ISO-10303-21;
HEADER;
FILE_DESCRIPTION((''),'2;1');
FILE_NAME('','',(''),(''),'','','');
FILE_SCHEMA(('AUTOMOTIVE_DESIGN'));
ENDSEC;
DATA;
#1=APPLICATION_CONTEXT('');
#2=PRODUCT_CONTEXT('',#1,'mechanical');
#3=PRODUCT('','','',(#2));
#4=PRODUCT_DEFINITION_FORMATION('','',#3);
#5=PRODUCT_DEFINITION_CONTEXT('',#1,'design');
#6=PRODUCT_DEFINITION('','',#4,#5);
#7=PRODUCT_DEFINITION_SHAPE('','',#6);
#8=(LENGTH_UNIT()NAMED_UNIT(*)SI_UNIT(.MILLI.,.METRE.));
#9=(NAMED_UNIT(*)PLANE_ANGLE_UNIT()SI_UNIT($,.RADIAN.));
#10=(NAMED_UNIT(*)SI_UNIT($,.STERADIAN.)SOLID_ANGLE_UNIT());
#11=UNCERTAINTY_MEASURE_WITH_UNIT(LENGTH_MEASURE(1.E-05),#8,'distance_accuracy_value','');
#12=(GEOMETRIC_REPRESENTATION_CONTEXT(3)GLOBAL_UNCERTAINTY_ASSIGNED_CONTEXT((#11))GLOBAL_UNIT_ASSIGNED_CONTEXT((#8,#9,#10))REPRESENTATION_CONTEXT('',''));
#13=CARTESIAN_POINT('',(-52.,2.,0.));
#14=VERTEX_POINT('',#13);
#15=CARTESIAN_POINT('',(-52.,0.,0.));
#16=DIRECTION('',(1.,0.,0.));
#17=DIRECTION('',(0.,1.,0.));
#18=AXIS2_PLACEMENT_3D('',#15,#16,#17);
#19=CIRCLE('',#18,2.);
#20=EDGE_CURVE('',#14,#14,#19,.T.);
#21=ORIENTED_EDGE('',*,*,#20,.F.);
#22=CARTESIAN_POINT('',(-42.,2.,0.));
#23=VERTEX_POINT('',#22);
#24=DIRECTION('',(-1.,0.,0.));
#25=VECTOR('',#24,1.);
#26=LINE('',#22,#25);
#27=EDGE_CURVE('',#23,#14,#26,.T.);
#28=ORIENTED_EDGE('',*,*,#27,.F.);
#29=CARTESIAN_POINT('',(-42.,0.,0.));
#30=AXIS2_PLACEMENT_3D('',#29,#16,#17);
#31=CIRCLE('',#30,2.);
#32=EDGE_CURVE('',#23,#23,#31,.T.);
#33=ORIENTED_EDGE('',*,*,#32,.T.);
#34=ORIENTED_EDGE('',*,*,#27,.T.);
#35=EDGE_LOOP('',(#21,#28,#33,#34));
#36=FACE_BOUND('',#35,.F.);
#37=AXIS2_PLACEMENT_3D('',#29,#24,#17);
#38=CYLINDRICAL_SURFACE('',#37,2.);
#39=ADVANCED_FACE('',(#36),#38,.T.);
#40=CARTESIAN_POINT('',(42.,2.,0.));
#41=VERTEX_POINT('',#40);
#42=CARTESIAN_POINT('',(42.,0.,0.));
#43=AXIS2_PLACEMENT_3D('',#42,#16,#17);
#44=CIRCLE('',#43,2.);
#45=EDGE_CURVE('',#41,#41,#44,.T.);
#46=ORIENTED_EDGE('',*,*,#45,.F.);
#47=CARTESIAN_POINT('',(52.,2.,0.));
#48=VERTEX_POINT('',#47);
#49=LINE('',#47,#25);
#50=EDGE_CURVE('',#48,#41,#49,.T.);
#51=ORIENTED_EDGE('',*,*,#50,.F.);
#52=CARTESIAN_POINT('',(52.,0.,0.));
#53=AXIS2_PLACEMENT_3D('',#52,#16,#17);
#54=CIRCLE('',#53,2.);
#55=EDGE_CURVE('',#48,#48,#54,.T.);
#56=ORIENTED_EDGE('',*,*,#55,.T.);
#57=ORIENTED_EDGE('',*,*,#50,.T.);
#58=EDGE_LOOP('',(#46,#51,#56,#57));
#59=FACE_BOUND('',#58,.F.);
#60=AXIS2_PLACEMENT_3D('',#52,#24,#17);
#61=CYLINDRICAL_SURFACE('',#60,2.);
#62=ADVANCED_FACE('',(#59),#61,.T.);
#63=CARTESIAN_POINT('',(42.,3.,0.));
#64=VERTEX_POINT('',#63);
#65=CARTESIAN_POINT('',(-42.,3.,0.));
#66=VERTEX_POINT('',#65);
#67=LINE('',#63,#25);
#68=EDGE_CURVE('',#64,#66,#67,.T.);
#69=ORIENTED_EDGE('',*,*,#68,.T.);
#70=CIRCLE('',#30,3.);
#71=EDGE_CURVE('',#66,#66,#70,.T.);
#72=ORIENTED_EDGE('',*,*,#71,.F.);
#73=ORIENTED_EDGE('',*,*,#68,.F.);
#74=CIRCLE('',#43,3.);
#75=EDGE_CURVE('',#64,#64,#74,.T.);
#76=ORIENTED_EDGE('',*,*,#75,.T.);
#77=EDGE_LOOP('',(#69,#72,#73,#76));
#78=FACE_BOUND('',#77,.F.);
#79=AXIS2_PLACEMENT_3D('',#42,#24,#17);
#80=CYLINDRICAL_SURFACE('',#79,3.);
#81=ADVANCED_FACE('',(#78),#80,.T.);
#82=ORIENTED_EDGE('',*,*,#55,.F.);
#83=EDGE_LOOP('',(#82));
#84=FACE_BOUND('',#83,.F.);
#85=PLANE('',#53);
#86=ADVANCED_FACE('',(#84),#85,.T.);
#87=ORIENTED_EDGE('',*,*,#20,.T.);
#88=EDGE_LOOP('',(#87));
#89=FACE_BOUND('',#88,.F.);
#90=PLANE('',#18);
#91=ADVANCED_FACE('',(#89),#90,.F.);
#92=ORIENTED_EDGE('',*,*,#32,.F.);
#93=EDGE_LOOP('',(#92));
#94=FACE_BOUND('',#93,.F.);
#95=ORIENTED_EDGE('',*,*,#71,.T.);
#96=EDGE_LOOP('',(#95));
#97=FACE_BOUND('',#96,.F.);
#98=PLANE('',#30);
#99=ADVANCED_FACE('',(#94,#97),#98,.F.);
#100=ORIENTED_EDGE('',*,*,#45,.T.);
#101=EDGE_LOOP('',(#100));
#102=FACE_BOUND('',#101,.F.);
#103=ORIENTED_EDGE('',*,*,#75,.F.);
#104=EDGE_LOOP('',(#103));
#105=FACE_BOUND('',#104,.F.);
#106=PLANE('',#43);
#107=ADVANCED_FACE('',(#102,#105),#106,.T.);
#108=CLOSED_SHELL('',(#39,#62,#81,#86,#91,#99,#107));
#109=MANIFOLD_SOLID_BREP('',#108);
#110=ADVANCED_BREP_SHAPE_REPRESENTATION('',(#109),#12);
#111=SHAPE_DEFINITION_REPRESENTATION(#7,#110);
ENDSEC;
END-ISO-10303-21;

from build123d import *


with BuildPart() as part:
    # Sketch1 → Revolve1 (revolve)
    with BuildSketch(Plane.XY):
        Polygon((-52, 0), (52, 0), (52, 2), (42, 2), (42, 3), (-42, 3), (-42, 2), (-52, 2), align=None)
    revolve(axis=Axis((-52, 0, 0), (1, 0, 0)))


solid = part.part
